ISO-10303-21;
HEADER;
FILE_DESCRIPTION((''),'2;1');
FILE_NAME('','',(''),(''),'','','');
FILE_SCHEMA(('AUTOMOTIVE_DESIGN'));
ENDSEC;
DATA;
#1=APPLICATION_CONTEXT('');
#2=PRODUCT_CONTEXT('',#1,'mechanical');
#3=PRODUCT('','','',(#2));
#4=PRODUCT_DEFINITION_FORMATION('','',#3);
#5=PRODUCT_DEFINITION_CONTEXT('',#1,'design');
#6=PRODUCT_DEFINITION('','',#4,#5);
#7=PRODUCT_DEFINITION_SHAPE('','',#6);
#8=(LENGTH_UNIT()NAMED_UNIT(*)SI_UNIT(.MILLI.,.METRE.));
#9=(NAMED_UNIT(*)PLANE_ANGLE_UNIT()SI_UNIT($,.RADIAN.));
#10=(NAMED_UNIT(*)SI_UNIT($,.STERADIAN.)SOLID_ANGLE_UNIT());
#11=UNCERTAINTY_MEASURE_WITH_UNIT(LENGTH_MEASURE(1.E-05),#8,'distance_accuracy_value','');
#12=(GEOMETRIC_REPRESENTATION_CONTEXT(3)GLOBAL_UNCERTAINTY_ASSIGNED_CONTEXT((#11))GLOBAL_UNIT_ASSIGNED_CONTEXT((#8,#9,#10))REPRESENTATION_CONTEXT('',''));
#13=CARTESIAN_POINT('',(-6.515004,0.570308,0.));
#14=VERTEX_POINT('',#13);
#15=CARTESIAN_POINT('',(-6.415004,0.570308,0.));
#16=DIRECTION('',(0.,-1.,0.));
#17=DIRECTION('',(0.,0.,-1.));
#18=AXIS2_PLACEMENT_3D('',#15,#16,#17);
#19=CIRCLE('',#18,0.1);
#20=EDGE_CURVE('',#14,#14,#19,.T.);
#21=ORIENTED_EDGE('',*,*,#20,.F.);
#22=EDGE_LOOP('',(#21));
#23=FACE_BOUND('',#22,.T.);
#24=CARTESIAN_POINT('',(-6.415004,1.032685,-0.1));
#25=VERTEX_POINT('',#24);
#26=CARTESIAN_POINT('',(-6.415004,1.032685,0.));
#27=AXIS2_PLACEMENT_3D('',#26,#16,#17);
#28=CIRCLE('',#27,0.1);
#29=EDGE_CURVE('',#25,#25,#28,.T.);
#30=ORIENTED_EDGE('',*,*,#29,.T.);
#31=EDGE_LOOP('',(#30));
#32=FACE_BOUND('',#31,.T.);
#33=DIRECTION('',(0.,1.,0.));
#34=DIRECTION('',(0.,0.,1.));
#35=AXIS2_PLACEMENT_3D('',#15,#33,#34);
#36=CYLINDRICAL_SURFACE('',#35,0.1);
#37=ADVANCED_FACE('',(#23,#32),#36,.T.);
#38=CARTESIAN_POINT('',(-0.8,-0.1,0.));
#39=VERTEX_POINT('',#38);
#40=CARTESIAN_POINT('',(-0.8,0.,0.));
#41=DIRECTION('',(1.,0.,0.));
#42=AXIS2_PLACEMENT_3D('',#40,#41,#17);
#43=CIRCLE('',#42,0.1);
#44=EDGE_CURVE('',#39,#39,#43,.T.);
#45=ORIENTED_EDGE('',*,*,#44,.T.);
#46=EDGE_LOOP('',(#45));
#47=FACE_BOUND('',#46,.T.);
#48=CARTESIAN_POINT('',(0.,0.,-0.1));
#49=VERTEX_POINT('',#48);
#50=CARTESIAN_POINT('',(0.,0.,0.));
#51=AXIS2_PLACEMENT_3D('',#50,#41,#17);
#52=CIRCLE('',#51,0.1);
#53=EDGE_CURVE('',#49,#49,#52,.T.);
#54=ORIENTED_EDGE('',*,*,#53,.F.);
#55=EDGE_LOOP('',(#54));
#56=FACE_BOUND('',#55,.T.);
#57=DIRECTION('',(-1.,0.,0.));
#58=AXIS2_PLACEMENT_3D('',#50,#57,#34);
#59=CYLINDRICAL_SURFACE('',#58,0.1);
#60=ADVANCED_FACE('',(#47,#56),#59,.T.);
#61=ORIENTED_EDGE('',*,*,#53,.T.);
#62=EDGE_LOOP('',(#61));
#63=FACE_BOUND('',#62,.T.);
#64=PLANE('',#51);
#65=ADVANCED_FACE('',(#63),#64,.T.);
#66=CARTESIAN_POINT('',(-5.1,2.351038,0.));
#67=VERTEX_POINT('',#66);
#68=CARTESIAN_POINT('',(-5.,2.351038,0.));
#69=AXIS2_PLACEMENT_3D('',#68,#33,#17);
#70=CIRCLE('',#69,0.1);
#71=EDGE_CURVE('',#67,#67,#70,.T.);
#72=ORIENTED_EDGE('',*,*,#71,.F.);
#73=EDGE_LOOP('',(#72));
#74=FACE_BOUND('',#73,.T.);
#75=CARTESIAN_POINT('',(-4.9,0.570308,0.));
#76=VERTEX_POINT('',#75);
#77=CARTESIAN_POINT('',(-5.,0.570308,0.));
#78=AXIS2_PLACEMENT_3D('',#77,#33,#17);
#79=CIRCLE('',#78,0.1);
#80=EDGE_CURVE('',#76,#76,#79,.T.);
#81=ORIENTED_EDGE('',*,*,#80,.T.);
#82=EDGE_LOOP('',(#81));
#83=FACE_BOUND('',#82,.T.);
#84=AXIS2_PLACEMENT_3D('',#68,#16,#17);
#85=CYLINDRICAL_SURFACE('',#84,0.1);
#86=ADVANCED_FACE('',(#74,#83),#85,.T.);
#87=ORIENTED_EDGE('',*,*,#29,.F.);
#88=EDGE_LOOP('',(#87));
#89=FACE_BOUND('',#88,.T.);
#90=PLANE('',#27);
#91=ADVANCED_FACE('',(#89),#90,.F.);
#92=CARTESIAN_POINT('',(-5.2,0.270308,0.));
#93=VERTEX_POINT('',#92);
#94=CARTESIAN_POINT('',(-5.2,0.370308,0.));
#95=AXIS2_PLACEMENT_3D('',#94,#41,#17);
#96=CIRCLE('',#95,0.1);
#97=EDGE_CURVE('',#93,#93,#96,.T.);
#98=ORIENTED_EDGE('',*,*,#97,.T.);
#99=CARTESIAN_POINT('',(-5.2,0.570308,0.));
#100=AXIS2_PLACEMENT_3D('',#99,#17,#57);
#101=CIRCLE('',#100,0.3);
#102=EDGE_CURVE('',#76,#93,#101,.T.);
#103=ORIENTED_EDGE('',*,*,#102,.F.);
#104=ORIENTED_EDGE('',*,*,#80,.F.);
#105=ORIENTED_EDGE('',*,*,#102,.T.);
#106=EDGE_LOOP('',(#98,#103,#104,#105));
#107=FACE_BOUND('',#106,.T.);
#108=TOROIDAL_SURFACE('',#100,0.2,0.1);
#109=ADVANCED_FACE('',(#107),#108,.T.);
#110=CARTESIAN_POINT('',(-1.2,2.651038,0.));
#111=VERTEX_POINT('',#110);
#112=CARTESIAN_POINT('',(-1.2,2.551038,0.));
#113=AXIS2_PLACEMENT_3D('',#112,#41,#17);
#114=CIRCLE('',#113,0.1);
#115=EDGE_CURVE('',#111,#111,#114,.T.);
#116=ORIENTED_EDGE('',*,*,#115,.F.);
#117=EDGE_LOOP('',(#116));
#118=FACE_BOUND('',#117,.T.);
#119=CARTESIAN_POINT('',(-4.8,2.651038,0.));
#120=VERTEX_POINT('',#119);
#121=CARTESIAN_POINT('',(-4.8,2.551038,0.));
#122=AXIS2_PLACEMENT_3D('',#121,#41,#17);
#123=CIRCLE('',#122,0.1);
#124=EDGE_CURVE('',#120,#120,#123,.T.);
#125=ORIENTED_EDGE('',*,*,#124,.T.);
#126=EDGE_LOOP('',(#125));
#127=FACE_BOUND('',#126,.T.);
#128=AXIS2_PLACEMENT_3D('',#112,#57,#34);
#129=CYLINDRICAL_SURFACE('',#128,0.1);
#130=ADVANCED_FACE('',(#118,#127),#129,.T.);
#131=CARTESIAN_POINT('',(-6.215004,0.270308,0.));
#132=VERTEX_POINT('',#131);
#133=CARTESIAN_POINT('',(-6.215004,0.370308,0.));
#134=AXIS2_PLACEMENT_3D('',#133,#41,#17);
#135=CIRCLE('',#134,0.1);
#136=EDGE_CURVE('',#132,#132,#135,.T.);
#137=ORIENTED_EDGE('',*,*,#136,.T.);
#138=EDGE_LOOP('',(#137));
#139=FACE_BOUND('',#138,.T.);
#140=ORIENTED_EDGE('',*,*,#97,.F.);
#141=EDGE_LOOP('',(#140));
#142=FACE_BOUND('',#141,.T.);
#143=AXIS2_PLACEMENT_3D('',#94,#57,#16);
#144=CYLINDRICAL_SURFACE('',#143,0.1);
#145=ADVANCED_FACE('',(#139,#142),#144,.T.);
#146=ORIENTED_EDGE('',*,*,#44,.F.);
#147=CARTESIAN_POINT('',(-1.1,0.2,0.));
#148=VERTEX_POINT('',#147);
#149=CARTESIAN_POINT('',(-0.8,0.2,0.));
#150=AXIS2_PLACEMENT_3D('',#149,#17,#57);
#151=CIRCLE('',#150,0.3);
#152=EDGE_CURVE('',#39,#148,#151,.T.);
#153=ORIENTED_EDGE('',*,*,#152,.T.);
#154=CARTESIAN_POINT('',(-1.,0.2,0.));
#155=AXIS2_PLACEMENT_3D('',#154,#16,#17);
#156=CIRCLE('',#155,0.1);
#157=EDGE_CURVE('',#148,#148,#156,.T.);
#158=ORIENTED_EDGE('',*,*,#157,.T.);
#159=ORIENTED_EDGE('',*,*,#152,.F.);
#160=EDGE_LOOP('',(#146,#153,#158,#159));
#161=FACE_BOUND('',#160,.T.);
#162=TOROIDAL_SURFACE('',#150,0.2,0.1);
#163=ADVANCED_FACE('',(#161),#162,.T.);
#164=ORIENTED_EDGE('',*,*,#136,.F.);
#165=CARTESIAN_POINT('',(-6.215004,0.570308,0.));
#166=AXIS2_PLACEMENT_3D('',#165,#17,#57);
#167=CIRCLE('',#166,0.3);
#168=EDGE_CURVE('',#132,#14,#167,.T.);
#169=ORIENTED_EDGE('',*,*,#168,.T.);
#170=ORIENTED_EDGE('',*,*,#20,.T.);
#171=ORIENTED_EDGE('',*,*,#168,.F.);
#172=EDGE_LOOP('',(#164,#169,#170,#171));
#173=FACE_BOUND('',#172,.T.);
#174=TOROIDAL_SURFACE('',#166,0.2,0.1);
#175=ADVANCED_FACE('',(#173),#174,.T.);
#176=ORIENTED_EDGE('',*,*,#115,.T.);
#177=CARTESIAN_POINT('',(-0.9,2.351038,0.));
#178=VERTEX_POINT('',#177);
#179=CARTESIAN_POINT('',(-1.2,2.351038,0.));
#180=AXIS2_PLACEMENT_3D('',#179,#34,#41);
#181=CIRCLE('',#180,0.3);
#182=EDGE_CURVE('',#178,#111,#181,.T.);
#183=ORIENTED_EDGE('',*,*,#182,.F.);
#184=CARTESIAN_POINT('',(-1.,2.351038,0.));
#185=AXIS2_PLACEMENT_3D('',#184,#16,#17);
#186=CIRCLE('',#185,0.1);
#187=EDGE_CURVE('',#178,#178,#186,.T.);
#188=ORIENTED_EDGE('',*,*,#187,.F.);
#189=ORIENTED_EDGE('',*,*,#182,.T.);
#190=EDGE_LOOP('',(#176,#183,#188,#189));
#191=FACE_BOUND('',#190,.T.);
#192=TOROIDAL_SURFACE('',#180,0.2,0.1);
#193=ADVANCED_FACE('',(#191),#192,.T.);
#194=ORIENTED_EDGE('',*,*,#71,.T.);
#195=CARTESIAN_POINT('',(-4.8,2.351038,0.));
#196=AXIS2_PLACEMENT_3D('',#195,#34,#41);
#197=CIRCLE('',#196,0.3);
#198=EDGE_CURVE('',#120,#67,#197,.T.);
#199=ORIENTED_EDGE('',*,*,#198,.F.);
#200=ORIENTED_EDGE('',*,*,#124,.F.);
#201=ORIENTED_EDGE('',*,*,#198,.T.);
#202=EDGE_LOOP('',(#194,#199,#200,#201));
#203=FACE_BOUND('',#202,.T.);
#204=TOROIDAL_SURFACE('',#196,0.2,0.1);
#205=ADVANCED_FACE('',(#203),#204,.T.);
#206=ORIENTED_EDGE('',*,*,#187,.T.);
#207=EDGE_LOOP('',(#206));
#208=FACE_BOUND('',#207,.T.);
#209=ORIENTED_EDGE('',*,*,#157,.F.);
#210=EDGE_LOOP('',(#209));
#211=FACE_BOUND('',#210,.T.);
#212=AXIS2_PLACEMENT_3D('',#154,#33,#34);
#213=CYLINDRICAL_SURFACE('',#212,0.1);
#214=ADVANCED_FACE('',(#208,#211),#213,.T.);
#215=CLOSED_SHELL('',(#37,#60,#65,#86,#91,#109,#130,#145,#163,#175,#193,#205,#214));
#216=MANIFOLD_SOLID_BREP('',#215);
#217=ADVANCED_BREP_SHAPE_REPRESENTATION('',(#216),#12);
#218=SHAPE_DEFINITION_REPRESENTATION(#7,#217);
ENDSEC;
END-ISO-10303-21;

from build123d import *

# Parameters (mm, degrees)
SKETCH2_R = 0.1


with BuildPart() as part:
    # Sweep1: sweep along a curve in space
    with BuildLine() as sweep1_path:
        Line((0, 0, 0), (-0.8, 0, 0))
        ThreePointArc((-0.8, 0, 0), (-0.941421356, 0.058578644, 0), (-1, 0.2, 0))
        Line((-1, 0.2, 0), (-1, 2.35103818, 0))
        ThreePointArc((-1, 2.35103818, 0), (-1.058578644, 2.492459536, 0), (-1.2, 2.55103818, 0))
        Line((-1.2, 2.55103818, 0), (-4.8, 2.55103818, 0))
        ThreePointArc((-4.8, 2.55103818, 0), (-4.941421356, 2.492459536, 0), (-5, 2.35103818, 0))
        Line((-5, 2.35103818, 0), (-5, 0.570308291, 0))
        ThreePointArc((-5, 0.570308291, 0), (-5.058578644, 0.428886934, 0), (-5.2, 0.370308291, 0))
        Line((-5.2, 0.370308291, 0), (-6.215003673, 0.370308291, 0))
        ThreePointArc((-6.215003673, 0.370308291, 0), (-6.356425029, 0.428886934, 0), (-6.415003673, 0.570308291, 0))
        Line((-6.415003673, 0.570308291, 0), (-6.415003673, 1.032684647, 0))
    # Sketch2 → Sweep1 (sweep)
    with BuildSketch(Plane(origin=(0, 0, 0), x_dir=(0, 0, -1), z_dir=(1, 0, 0))):
        Circle(SKETCH2_R)
    sweep(path=sweep1_path.line)


solid = part.part
